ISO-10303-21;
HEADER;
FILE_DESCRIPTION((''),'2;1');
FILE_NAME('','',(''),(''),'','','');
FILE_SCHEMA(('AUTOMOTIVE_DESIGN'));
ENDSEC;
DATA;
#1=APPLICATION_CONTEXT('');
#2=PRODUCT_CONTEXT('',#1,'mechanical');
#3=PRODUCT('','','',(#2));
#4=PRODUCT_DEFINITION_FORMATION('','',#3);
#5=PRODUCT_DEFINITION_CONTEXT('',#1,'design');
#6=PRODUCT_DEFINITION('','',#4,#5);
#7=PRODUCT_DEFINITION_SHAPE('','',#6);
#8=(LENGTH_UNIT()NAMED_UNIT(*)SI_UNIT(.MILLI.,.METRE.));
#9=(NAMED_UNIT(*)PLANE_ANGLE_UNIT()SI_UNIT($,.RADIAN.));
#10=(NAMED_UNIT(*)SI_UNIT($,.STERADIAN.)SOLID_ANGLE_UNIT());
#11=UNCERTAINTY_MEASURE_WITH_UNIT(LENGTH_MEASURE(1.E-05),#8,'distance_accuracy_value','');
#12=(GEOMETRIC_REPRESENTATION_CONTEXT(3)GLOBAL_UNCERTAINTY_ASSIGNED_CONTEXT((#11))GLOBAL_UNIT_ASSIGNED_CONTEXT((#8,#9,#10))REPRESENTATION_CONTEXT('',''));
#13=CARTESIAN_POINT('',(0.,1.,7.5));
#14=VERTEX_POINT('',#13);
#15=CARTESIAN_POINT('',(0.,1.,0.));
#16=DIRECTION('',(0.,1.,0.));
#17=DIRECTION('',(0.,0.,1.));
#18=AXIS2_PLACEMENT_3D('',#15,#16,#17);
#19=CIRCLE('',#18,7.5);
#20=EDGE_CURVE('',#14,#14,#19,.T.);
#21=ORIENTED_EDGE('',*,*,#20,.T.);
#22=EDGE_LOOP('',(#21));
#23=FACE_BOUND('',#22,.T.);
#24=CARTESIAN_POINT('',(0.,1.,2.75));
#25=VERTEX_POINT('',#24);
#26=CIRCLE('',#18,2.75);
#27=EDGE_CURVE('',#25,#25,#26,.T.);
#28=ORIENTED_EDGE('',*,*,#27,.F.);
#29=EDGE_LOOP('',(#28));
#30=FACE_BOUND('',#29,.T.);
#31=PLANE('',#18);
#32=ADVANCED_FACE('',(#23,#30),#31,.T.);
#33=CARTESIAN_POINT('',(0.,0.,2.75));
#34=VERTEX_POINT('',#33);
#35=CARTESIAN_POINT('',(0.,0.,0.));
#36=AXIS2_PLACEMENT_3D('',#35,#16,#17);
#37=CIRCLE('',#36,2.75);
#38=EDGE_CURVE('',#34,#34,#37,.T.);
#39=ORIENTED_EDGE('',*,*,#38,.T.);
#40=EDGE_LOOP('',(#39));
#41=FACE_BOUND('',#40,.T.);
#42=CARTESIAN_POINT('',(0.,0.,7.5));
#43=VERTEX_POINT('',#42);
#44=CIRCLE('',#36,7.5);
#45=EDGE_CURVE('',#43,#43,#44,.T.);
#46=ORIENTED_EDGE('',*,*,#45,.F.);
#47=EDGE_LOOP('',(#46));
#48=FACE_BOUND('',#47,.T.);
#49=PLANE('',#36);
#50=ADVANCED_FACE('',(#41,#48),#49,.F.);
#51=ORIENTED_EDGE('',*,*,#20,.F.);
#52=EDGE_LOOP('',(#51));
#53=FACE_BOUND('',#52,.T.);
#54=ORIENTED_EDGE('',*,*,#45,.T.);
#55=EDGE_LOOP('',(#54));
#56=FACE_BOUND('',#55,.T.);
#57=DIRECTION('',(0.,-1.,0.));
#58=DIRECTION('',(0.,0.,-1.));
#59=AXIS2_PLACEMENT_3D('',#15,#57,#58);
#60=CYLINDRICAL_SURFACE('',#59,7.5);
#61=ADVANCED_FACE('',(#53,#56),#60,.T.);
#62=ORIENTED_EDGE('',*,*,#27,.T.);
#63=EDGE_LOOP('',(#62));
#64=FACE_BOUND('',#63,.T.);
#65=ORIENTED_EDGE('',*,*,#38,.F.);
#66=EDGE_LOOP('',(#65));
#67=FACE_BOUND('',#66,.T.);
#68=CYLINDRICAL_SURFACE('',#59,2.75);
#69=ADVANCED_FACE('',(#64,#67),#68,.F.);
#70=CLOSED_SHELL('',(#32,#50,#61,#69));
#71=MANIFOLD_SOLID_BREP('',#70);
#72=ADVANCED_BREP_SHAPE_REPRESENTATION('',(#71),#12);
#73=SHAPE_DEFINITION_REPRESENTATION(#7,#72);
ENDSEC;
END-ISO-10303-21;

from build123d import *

# Parameters (mm, degrees)
ESQUISSE1_R      = 7.5
ESQUISSE1_R_2    = 2.75
EXTRUSION1_DEPTH = 1


with BuildPart() as part:
    # Esquisse1 → Extrusion1 (new body)
    with BuildSketch(Plane(origin=(0, 0, 0), x_dir=(1, 0, 0), z_dir=(0, 1, 0))):
        Circle(ESQUISSE1_R)
        Circle(ESQUISSE1_R_2, mode=Mode.SUBTRACT)
    extrude(amount=EXTRUSION1_DEPTH)


solid = part.part
